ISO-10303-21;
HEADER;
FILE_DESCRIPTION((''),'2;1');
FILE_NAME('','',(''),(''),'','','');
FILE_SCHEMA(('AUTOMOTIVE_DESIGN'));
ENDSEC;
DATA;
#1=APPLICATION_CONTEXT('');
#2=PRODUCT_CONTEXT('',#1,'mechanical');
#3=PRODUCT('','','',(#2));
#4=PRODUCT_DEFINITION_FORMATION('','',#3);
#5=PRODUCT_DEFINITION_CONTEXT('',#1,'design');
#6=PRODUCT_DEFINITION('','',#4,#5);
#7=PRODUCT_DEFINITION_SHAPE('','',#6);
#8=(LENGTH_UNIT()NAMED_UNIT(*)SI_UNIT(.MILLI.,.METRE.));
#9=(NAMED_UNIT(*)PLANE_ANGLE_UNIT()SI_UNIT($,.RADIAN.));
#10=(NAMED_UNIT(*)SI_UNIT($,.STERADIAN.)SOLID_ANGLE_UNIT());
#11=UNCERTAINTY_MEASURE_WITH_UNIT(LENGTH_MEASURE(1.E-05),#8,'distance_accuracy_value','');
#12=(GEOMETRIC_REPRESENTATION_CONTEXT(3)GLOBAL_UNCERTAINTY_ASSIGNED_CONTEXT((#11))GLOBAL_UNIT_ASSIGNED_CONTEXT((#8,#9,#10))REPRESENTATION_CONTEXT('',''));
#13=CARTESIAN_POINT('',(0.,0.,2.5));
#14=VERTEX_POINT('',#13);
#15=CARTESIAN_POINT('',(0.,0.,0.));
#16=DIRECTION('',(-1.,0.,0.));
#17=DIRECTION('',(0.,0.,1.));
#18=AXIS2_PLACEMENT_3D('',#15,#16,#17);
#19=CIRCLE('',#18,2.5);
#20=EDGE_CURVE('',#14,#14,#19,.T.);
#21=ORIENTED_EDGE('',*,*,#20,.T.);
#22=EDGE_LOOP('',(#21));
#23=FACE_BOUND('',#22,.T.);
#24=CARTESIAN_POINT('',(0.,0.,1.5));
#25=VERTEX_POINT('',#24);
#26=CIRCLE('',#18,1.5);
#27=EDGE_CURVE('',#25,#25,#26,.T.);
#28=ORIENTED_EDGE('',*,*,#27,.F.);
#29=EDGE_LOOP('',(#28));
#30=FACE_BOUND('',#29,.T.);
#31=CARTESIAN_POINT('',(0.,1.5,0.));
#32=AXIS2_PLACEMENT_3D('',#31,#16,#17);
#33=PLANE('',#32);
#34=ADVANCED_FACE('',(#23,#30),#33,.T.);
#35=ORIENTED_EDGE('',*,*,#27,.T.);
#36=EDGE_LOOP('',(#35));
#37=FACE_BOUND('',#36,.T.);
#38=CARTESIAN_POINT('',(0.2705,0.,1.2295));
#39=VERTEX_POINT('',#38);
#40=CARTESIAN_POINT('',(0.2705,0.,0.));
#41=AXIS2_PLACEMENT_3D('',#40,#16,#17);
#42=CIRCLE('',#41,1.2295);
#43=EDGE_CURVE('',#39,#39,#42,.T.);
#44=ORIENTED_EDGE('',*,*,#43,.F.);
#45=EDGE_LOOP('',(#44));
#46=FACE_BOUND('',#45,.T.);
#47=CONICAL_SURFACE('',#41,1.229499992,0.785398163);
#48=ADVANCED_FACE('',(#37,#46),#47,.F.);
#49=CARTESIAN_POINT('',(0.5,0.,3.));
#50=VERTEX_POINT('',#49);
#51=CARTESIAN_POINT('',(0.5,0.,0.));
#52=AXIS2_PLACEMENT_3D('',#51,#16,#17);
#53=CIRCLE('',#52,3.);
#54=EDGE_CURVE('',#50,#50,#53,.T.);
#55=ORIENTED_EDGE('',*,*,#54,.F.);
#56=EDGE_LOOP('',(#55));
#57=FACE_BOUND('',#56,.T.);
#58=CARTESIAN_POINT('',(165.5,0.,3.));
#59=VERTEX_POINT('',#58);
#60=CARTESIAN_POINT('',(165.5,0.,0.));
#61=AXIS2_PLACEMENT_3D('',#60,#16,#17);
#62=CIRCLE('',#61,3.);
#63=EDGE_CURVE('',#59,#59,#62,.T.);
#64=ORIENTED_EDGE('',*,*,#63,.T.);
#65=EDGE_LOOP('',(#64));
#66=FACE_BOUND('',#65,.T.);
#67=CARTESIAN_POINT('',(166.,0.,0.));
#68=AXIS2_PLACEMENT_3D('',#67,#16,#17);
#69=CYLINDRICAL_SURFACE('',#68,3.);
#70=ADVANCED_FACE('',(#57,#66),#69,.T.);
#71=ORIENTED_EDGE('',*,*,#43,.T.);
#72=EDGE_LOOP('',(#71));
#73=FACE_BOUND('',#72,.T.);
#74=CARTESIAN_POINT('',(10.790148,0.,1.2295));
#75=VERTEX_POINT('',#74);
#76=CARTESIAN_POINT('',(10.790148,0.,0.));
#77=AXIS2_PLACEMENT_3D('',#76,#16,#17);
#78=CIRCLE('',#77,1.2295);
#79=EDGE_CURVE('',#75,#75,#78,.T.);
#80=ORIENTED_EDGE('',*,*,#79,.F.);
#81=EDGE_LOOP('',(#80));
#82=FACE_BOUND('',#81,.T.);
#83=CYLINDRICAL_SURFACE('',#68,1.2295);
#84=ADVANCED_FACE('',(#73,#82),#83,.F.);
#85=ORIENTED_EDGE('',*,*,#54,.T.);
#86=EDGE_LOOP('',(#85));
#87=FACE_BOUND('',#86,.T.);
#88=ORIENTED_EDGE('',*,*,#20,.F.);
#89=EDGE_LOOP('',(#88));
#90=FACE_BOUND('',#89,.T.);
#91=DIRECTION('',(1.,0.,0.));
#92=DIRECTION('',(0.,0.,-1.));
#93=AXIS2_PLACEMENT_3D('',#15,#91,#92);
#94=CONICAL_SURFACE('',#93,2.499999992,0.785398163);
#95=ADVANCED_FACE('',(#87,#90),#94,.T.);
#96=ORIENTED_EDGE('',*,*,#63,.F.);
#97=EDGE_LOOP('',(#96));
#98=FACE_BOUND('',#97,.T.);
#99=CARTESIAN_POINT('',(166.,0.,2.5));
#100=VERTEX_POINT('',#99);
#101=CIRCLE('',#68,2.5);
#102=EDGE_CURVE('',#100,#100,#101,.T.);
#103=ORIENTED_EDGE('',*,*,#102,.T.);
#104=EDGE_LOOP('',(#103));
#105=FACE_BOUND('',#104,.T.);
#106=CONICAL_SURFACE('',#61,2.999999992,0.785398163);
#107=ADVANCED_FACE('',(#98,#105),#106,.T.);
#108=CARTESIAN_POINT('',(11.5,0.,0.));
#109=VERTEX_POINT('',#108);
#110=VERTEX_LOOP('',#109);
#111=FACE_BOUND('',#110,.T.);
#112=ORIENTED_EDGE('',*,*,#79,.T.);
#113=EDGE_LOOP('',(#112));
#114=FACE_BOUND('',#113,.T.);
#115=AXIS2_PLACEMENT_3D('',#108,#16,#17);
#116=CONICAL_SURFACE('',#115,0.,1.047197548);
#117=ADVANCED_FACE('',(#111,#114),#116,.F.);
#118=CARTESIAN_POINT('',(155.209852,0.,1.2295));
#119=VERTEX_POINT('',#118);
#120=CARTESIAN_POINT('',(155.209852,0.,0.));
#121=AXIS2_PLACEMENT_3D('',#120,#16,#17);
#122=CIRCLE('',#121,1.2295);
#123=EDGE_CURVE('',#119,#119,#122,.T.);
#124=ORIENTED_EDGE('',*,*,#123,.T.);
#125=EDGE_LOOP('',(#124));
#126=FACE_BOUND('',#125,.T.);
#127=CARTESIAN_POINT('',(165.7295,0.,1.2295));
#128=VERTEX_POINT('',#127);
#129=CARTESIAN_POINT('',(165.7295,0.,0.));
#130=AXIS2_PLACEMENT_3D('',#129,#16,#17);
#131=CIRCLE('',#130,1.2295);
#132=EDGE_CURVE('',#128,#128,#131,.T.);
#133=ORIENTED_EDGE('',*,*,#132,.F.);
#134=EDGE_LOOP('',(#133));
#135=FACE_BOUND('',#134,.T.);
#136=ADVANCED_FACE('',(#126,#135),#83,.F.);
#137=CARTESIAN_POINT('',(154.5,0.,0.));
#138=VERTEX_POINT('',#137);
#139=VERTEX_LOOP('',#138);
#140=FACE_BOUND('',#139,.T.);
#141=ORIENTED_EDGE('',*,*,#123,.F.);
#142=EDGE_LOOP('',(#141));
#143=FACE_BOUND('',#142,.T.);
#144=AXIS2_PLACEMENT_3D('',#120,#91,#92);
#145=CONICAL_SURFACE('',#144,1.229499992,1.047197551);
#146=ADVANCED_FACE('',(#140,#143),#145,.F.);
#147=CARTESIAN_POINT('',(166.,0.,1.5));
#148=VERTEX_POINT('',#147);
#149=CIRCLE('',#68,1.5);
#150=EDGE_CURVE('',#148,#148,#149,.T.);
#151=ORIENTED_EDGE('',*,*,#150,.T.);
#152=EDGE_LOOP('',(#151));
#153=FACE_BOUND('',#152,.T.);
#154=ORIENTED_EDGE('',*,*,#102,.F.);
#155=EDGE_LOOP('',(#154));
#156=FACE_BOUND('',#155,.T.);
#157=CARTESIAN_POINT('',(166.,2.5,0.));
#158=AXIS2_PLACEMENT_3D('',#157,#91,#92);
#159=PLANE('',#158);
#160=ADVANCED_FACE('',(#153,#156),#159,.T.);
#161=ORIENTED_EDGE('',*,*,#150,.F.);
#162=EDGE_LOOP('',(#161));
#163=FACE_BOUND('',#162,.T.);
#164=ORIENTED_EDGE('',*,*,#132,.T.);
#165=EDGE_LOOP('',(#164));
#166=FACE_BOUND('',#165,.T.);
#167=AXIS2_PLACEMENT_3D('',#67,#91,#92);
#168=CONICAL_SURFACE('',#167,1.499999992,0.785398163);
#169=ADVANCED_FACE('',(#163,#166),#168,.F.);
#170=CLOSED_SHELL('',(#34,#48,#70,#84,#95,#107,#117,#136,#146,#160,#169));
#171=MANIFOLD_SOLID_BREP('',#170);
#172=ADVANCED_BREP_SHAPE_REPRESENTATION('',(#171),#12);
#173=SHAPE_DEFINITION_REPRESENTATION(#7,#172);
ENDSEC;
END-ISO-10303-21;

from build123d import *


with BuildPart() as part:
    # Sketch1 → Revolve1 (revolve)
    with BuildSketch(Plane(origin=(0, 0, 0), x_dir=(-1, 0, 0), z_dir=(0, 0, -1))):
        Polygon((-155.209852156, 1.2295), (-154.500000005, 8e-09), (-11.5, 8e-09), (-10.790147844, 1.2295), (-0.2705, 1.2295), (0, 1.5), (0, 2.5), (-0.5, 3), (-165.5, 3), (-166, 2.5), (-166, 1.5), (-165.7295, 1.2295), align=None)
    revolve(axis=Axis((166, 8e-09, 0), (-1, 0, 0)))


solid = part.part
